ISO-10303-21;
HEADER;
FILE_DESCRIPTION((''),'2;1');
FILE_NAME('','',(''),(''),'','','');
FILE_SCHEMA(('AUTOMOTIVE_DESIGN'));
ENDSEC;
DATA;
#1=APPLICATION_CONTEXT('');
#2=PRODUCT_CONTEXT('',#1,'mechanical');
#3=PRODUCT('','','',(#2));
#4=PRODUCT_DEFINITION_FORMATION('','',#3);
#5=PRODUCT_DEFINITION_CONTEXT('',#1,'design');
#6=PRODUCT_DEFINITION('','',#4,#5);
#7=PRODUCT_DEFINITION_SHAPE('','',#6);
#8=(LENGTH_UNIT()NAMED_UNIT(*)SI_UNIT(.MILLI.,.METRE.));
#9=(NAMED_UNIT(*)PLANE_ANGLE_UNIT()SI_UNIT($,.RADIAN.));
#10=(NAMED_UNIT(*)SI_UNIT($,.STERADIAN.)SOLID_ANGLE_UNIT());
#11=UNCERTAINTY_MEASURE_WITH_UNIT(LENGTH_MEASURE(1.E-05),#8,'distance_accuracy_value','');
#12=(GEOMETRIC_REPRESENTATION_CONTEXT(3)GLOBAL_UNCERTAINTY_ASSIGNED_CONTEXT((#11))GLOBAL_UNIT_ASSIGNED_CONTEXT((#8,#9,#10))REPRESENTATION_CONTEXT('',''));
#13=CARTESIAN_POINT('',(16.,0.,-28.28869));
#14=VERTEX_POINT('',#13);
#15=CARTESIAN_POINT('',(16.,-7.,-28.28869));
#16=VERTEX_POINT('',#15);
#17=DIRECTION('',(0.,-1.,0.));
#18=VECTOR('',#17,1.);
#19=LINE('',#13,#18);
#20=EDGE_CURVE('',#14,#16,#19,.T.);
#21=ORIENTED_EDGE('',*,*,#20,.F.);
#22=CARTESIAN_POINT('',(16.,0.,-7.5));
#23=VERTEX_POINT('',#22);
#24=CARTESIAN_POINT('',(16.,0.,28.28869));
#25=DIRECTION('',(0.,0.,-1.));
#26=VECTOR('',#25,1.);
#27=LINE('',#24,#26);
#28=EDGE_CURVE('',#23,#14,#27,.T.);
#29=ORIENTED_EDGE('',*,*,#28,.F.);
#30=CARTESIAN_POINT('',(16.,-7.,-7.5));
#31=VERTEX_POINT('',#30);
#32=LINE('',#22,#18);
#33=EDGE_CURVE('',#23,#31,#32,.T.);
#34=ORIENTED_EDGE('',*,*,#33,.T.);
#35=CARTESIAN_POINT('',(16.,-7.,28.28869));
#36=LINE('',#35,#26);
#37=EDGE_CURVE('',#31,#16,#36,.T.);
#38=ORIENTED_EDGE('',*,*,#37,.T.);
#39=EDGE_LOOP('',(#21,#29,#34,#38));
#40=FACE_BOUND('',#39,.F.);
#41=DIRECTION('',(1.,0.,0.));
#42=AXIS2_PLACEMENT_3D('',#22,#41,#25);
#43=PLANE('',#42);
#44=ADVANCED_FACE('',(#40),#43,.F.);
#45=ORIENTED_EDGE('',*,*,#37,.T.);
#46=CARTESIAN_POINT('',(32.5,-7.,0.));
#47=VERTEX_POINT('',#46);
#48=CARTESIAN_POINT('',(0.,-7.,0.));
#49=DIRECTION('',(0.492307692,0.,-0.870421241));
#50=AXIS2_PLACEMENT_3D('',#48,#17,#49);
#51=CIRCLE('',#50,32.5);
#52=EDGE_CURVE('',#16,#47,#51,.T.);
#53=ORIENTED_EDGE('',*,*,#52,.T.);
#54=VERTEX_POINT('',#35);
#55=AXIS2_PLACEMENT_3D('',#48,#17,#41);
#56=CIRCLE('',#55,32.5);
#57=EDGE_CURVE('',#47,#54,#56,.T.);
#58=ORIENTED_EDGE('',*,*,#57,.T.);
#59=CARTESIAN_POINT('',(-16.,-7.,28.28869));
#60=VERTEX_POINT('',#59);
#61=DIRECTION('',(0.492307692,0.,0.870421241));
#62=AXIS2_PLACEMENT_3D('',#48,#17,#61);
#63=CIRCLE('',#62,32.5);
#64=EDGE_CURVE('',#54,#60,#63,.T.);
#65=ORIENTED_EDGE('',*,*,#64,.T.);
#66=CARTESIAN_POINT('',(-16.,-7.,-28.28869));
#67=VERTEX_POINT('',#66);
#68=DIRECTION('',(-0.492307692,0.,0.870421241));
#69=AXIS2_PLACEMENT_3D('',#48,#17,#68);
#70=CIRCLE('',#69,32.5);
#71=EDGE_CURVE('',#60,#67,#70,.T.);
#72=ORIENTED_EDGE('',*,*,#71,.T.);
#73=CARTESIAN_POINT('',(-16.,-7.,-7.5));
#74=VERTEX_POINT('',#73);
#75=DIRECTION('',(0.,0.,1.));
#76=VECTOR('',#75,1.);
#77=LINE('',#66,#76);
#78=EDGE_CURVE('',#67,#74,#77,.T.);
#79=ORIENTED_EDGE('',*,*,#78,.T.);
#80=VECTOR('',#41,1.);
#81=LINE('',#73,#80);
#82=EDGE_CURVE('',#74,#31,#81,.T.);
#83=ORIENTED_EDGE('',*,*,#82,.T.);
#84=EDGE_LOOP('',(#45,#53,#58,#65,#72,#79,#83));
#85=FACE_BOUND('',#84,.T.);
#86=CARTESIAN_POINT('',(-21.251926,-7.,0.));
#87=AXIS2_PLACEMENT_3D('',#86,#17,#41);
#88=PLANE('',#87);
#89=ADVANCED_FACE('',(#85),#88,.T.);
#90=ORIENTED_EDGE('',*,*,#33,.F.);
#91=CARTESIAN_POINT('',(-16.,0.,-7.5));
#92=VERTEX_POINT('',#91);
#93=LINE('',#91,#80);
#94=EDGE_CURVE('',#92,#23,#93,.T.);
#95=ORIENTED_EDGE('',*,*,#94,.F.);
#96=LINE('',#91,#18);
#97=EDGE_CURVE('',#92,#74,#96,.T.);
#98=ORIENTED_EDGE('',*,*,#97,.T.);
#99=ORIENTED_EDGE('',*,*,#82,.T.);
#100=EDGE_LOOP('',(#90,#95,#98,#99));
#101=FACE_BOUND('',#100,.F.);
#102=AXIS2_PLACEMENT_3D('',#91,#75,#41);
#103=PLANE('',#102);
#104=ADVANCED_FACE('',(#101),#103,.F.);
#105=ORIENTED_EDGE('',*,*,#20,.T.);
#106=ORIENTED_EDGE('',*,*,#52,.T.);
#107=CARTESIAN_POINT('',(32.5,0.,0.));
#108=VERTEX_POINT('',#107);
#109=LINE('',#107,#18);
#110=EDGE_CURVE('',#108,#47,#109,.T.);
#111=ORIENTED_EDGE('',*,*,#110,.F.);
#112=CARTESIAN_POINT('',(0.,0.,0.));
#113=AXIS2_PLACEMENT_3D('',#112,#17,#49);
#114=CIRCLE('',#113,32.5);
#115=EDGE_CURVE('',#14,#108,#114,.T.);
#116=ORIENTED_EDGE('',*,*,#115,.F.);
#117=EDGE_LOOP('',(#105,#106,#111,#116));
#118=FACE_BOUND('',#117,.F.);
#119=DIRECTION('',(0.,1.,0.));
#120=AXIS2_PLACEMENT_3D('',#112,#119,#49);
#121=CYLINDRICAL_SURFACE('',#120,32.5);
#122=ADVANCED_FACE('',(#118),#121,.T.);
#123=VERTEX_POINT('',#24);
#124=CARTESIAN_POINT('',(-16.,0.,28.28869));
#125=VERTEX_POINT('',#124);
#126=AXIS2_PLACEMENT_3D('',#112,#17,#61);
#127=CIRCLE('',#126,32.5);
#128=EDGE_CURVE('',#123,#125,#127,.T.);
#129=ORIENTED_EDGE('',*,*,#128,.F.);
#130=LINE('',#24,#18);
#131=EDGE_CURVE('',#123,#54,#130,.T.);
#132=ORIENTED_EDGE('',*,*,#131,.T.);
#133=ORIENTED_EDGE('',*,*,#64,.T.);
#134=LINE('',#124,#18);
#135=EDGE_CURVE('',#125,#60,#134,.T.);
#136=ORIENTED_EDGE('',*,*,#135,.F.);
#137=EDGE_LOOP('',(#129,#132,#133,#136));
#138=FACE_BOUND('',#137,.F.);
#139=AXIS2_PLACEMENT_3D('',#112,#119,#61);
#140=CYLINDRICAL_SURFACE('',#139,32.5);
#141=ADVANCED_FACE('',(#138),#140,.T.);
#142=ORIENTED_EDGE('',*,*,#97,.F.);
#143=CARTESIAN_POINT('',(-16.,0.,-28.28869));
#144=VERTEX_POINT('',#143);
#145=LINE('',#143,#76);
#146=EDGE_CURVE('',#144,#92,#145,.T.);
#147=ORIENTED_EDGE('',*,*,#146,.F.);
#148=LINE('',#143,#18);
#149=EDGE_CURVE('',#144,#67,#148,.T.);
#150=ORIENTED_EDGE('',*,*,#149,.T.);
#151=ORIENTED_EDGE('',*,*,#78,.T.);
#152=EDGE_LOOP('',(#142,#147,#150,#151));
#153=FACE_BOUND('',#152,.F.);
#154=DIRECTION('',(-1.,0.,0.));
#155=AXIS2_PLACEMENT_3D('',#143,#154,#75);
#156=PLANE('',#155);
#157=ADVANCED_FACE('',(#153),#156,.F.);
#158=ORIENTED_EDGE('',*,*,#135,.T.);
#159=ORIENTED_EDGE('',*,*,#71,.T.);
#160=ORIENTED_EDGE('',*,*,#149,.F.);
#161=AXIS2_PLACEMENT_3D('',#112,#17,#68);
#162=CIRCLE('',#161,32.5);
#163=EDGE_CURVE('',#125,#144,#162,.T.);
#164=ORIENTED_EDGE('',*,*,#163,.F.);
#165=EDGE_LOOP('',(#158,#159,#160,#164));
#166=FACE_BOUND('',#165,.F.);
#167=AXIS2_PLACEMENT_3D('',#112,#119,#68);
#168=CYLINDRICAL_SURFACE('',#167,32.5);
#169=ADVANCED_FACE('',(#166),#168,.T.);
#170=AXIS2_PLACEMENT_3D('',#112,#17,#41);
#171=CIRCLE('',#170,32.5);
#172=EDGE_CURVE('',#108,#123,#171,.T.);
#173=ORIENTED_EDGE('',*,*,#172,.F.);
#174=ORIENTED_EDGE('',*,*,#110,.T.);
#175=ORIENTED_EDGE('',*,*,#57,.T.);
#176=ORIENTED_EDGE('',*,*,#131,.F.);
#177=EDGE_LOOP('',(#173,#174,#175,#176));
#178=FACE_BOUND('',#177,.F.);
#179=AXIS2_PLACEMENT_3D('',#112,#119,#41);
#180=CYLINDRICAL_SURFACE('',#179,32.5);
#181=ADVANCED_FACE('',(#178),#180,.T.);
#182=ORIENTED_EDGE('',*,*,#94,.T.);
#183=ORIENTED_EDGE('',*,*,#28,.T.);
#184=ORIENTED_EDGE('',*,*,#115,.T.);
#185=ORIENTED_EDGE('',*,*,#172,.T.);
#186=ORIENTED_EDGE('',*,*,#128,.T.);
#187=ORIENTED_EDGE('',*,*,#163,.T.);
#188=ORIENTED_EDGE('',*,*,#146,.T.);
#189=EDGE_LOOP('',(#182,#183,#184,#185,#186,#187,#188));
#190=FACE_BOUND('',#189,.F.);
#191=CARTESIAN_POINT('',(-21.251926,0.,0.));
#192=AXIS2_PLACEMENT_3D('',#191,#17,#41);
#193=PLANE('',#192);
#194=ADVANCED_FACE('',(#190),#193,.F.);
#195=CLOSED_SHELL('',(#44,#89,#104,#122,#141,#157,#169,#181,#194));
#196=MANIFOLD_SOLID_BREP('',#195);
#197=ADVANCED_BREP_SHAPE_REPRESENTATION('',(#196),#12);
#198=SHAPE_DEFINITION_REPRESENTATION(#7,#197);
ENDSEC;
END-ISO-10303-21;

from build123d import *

# Parameters (mm, degrees)
F1_DEPTH = 7


with BuildPart() as f1:
    # F0 (on Front) → F1 (new body)
    with BuildSketch(Plane.XZ):
        with BuildLine():
            Line((-16, -7.5), (-16, 28.2886903196))
            ThreePointArc((-16, 28.2886903196), (-32.5, 0), (-16, -28.2886903196))
            Line((-16, -28.2886903196), (-16, -7.5))
        make_face()
        with BuildLine():
            Line((16, -7.5), (16, 28.2886903196))
            ThreePointArc((16, 28.2886903196), (0, 32.5), (-16, 28.2886903196))
            Line((-16, 28.2886903196), (-16, -7.5))
            Line((-16, -7.5), (16, -7.5))
        make_face()
        with BuildLine():
            ThreePointArc((16, -28.2886903196), (28.0735640773, -16.3745228938), (32.5, 0))
            ThreePointArc((32.5, 0), (28.0735640773, 16.3745228938), (16, 28.2886903196))
            Line((16, 28.2886903196), (16, -7.5))
            Line((16, -7.5), (16, -28.2886903196))
        make_face()
    extrude(amount=F1_DEPTH)


solid = f1.part
